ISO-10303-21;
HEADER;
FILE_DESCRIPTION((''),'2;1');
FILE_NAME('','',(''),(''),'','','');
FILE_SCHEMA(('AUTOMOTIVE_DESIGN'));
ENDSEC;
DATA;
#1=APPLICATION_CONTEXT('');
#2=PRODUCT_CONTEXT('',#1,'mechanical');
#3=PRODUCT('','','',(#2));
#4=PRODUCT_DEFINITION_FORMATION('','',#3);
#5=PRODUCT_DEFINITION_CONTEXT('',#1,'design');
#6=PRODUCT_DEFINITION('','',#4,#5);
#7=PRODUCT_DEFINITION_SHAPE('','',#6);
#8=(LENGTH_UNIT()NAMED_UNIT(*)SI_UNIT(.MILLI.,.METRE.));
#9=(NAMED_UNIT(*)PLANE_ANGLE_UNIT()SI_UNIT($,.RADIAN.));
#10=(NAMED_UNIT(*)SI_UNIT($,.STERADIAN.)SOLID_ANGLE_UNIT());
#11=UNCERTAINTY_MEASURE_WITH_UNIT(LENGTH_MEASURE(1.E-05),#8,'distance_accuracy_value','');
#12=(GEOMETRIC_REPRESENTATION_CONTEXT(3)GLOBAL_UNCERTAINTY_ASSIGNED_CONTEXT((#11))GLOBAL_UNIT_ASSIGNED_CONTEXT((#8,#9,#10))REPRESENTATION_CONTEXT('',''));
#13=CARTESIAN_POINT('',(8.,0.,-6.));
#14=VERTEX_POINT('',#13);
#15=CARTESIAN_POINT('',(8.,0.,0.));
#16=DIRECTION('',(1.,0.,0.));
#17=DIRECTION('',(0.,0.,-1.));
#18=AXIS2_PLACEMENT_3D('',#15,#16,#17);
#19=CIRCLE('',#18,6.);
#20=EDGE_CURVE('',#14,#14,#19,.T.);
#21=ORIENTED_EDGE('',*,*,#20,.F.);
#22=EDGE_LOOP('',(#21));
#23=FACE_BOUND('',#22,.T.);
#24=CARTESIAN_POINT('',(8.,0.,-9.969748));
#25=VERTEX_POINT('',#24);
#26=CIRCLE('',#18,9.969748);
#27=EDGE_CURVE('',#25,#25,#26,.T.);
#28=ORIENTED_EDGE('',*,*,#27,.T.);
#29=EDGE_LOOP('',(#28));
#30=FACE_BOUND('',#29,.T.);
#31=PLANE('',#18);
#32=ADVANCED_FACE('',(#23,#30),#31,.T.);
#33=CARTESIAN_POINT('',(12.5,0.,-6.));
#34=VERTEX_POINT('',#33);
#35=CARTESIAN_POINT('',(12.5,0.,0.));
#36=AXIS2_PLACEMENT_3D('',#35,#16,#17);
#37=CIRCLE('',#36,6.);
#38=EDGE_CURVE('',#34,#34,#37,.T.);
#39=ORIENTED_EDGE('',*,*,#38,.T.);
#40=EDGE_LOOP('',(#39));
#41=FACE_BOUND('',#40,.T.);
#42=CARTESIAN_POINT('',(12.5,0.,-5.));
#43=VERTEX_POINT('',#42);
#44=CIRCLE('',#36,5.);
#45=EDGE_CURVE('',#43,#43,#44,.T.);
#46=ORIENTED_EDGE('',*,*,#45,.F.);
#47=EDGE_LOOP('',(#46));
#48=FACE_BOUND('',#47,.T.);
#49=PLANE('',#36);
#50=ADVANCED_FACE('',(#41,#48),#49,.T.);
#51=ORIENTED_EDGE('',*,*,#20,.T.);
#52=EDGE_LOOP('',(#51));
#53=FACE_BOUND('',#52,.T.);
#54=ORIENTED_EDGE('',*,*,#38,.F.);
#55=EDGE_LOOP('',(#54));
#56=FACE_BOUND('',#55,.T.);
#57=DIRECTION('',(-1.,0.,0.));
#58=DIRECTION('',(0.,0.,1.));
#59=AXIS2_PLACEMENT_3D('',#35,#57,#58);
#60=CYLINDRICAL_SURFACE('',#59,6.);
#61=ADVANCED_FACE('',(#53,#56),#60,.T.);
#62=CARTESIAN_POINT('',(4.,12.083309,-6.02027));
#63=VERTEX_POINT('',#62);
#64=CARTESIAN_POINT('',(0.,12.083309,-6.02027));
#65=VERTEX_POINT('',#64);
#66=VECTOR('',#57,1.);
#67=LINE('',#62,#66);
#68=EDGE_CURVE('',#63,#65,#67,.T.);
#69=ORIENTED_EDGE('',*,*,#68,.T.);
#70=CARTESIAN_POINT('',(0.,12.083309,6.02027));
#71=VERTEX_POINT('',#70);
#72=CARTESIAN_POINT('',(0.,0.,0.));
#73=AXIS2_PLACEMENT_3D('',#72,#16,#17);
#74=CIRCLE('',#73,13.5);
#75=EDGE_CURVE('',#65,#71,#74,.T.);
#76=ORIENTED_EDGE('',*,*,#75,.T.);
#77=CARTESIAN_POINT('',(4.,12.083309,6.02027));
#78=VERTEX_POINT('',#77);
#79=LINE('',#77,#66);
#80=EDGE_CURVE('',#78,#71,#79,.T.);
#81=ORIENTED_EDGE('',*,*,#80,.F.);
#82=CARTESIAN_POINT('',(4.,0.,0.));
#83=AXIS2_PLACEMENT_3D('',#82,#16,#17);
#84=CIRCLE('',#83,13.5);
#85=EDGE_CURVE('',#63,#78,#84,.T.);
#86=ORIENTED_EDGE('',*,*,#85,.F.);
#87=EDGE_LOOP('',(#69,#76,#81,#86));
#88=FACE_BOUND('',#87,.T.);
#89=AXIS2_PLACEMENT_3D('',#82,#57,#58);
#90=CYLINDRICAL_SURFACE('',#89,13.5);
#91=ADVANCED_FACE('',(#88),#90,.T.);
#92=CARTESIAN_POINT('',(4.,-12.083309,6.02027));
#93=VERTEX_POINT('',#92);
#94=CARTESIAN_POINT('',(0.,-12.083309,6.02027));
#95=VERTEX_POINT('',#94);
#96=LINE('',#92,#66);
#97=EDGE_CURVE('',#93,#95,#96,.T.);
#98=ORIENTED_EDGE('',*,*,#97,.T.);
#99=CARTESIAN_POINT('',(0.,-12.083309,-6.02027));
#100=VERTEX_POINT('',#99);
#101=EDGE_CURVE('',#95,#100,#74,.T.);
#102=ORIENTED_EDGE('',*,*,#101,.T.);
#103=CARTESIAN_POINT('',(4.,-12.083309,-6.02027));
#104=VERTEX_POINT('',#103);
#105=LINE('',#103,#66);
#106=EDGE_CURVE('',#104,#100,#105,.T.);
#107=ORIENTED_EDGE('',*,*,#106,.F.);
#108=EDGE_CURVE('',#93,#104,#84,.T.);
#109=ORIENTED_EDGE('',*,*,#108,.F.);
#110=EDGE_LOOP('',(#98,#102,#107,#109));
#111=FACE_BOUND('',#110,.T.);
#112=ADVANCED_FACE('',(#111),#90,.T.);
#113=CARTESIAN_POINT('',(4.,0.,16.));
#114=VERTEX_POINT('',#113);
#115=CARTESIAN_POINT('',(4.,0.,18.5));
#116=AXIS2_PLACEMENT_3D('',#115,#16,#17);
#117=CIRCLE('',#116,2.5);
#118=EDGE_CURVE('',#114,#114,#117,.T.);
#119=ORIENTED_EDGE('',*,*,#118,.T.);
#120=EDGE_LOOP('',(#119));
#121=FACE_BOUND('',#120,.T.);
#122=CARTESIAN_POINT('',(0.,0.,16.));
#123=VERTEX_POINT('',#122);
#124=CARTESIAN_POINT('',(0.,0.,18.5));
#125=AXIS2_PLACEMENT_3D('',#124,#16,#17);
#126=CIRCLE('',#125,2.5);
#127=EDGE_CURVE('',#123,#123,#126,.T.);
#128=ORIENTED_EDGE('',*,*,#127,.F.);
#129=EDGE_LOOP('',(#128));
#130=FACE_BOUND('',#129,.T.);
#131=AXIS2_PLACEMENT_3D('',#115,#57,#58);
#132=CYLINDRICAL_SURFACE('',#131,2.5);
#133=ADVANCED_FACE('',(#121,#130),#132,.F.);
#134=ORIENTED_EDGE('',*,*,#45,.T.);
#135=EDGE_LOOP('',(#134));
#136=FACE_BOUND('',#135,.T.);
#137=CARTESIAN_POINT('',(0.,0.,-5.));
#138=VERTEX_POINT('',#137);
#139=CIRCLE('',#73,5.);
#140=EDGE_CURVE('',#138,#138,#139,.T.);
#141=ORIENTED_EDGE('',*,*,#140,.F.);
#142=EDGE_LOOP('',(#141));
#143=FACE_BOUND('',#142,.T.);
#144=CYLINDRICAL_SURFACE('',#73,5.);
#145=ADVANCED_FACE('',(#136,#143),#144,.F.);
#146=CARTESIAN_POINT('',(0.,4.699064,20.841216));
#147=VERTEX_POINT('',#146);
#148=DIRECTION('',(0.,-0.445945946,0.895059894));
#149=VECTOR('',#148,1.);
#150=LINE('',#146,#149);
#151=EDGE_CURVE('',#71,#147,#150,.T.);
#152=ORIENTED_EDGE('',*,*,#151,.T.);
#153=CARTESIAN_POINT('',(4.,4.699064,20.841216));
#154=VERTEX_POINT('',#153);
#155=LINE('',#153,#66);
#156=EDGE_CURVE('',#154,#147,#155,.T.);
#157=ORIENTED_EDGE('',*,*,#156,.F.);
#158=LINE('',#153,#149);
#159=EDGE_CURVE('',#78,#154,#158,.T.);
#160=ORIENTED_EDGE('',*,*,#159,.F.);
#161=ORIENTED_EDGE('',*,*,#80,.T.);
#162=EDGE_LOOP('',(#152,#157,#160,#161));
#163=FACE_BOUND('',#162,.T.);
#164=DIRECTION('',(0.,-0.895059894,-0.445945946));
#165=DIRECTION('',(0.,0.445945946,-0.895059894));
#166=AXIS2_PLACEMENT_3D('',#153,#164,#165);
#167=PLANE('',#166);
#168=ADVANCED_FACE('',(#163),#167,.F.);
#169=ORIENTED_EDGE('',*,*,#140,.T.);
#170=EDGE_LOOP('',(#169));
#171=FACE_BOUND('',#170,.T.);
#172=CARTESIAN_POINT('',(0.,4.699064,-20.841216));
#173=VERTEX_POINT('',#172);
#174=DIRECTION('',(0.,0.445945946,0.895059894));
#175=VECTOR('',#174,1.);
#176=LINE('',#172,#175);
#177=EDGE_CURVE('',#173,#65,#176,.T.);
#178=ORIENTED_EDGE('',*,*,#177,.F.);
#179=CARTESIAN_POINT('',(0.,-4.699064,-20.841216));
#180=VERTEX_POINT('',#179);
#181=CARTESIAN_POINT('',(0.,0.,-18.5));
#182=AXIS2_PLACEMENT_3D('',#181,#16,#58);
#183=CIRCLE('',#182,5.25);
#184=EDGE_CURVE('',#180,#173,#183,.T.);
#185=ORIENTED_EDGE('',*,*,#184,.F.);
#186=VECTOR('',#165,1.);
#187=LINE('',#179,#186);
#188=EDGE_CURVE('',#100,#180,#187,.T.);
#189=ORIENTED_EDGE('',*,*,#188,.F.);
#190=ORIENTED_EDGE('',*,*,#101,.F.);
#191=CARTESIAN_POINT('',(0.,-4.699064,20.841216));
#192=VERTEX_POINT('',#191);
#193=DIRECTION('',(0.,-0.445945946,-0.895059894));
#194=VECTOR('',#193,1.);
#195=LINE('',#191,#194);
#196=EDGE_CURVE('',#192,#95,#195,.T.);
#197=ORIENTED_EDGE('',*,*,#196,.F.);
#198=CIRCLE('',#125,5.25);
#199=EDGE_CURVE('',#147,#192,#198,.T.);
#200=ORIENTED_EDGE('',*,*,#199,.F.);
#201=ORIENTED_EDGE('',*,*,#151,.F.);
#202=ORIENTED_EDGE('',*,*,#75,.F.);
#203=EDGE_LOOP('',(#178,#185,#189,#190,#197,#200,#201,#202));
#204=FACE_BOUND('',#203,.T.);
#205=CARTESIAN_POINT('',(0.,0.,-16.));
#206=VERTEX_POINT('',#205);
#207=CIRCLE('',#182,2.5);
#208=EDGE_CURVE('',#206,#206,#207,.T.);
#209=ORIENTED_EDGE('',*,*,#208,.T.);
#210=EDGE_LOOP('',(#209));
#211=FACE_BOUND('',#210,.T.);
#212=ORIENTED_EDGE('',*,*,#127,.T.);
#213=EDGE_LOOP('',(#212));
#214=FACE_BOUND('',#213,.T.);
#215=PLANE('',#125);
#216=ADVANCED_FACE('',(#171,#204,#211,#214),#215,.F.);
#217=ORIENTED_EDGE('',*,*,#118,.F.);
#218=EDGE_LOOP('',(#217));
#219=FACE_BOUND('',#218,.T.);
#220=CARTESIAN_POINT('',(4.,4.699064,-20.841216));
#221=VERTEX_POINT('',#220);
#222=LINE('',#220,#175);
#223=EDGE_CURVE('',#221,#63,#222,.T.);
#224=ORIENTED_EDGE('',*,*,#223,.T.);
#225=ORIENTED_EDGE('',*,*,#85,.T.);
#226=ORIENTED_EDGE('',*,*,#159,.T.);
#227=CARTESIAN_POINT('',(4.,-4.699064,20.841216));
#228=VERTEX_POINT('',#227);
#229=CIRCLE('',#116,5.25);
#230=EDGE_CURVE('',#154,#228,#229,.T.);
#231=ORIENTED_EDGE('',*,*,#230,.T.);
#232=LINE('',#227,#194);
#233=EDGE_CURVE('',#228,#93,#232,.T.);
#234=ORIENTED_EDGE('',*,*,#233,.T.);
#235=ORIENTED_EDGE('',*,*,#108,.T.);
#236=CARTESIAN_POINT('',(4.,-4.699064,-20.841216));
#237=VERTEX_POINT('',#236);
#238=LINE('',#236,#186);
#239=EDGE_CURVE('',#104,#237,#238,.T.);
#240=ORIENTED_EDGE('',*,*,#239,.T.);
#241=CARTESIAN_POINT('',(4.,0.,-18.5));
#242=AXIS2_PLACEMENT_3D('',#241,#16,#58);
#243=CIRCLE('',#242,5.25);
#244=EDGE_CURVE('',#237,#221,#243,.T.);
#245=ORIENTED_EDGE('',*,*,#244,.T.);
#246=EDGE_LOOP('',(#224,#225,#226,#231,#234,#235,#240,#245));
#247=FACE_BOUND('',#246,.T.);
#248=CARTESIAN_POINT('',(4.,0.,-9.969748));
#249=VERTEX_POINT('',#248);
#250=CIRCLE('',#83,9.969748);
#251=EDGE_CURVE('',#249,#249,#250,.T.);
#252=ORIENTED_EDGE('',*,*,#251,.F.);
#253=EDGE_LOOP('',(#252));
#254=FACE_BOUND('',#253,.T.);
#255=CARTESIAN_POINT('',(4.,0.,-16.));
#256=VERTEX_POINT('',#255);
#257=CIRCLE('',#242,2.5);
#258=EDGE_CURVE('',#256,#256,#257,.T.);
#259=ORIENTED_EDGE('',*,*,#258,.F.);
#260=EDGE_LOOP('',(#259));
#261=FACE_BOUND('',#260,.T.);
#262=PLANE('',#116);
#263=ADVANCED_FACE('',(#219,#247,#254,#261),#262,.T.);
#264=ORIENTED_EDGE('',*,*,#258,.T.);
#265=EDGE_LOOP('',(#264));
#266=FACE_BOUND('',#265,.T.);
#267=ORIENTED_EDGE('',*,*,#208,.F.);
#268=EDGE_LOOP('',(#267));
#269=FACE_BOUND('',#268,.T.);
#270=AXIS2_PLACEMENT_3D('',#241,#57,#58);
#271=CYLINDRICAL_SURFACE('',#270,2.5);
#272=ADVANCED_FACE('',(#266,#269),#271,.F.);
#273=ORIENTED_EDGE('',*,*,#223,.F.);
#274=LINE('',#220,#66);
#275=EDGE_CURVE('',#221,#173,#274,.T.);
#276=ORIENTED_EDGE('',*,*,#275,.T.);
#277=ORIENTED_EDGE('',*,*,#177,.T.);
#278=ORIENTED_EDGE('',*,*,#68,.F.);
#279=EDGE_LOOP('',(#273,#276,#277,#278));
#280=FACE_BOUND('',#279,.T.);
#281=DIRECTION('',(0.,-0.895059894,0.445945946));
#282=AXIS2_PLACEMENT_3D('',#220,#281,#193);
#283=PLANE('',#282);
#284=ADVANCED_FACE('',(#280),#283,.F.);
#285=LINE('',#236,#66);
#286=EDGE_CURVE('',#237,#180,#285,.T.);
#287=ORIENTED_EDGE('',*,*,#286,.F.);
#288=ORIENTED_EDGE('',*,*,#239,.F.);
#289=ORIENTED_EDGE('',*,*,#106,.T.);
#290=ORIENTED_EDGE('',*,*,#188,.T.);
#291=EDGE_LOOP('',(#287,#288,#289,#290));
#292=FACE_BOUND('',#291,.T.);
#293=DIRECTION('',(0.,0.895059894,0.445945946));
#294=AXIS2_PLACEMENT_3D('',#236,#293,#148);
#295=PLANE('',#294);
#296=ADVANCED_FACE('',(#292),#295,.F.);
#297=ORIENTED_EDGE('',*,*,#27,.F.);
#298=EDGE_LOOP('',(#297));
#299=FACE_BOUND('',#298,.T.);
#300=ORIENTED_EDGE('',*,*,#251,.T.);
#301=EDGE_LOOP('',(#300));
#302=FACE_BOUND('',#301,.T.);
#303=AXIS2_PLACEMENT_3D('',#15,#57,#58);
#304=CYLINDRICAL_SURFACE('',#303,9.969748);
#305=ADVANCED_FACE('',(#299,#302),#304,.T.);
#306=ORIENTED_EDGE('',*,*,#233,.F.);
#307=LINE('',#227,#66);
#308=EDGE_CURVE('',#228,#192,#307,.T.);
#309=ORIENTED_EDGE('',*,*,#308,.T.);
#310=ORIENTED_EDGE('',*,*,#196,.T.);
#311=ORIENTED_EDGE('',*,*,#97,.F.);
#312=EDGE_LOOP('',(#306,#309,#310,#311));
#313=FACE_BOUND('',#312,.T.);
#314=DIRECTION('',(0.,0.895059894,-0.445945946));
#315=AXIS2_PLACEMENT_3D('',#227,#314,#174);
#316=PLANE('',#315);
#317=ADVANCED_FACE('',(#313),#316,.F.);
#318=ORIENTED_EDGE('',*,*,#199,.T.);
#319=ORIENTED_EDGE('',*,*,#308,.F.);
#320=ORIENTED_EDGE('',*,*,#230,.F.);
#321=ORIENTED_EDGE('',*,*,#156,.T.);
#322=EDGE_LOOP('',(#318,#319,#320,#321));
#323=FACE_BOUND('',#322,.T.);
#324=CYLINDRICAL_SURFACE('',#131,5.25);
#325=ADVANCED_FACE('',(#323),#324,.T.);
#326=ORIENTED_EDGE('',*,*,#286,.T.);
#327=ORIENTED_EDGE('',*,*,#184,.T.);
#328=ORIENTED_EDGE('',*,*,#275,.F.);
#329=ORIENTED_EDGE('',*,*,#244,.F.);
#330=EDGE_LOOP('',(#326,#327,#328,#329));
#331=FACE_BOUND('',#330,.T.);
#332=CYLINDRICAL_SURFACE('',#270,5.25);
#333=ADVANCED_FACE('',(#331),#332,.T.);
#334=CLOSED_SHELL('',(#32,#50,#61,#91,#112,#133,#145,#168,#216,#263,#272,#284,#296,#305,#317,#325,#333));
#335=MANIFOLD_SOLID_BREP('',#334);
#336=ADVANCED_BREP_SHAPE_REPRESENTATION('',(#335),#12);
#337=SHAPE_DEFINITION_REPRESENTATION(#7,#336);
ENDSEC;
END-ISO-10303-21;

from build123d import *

# Parameters (mm, degrees)
SKETCH1_R           = 2.5
BOSS_EXTRUDE1_DEPTH = 4
SKETCH2_R           = 9.969747688
BOSS_EXTRUDE2_DEPTH = 4
SKETCH3_R           = 6
BOSS_EXTRUDE3_DEPTH = 4.5
SKETCH4_R           = 5
CUT_EXTRUDE1_DEPTH  = 31.042677977


with BuildPart() as part:
    # Sketch1 → Boss-Extrude1 (new body)
    with BuildSketch(Plane(origin=(0, 0, 0), x_dir=(0, 0, -1), z_dir=(1, 0, 0))):
        with BuildLine():
            Line((-20.841216216, 4.699064442), (-6.02027027, 12.083308565))
            ThreePointArc((-6.02027027, 12.083308565), (0, 13.5), (6.02027027, 12.083308565))
            Line((6.02027027, 12.083308565), (20.841216216, 4.699064442))
            ThreePointArc((20.841216216, 4.699064442), (23.75, 0), (20.841216216, -4.699064442))
            Line((20.841216216, -4.699064442), (6.02027027, -12.083308565))
            ThreePointArc((6.02027027, -12.083308565), (0, -13.5), (-6.02027027, -12.083308565))
            Line((-6.02027027, -12.083308565), (-20.841216216, -4.699064442))
            ThreePointArc((-20.841216216, -4.699064442), (-23.75, 0), (-20.841216216, 4.699064442))
        make_face()
        with Locations((-18.5, 0)):
            Circle(SKETCH1_R, mode=Mode.SUBTRACT)
        with Locations(Location((18.5, 0, 0), (0, 0, 180))):
            Circle(SKETCH1_R, mode=Mode.SUBTRACT)
    extrude(amount=BOSS_EXTRUDE1_DEPTH)

    # Sketch2 → Boss-Extrude2 (add)
    with BuildSketch(Plane(origin=(4, 0, 0), x_dir=(0, 0, -1), z_dir=(1, 0, 0))):
        Circle(SKETCH2_R)
    extrude(amount=BOSS_EXTRUDE2_DEPTH)

    # Sketch3 → Boss-Extrude3 (add)
    with BuildSketch(Plane(origin=(8, 0, 0), x_dir=(0, 0, -1), z_dir=(1, 0, 0))):
        Circle(SKETCH3_R)
    extrude(amount=BOSS_EXTRUDE3_DEPTH)

    # Sketch4 → Cut-Extrude1 (cut, through all)
    with BuildSketch(Plane(origin=(12.5, 0, 0), x_dir=(0, 0, -1), z_dir=(1, 0, 0))):
        Circle(SKETCH4_R)
    extrude(amount=-CUT_EXTRUDE1_DEPTH, mode=Mode.SUBTRACT)


solid = part.part
